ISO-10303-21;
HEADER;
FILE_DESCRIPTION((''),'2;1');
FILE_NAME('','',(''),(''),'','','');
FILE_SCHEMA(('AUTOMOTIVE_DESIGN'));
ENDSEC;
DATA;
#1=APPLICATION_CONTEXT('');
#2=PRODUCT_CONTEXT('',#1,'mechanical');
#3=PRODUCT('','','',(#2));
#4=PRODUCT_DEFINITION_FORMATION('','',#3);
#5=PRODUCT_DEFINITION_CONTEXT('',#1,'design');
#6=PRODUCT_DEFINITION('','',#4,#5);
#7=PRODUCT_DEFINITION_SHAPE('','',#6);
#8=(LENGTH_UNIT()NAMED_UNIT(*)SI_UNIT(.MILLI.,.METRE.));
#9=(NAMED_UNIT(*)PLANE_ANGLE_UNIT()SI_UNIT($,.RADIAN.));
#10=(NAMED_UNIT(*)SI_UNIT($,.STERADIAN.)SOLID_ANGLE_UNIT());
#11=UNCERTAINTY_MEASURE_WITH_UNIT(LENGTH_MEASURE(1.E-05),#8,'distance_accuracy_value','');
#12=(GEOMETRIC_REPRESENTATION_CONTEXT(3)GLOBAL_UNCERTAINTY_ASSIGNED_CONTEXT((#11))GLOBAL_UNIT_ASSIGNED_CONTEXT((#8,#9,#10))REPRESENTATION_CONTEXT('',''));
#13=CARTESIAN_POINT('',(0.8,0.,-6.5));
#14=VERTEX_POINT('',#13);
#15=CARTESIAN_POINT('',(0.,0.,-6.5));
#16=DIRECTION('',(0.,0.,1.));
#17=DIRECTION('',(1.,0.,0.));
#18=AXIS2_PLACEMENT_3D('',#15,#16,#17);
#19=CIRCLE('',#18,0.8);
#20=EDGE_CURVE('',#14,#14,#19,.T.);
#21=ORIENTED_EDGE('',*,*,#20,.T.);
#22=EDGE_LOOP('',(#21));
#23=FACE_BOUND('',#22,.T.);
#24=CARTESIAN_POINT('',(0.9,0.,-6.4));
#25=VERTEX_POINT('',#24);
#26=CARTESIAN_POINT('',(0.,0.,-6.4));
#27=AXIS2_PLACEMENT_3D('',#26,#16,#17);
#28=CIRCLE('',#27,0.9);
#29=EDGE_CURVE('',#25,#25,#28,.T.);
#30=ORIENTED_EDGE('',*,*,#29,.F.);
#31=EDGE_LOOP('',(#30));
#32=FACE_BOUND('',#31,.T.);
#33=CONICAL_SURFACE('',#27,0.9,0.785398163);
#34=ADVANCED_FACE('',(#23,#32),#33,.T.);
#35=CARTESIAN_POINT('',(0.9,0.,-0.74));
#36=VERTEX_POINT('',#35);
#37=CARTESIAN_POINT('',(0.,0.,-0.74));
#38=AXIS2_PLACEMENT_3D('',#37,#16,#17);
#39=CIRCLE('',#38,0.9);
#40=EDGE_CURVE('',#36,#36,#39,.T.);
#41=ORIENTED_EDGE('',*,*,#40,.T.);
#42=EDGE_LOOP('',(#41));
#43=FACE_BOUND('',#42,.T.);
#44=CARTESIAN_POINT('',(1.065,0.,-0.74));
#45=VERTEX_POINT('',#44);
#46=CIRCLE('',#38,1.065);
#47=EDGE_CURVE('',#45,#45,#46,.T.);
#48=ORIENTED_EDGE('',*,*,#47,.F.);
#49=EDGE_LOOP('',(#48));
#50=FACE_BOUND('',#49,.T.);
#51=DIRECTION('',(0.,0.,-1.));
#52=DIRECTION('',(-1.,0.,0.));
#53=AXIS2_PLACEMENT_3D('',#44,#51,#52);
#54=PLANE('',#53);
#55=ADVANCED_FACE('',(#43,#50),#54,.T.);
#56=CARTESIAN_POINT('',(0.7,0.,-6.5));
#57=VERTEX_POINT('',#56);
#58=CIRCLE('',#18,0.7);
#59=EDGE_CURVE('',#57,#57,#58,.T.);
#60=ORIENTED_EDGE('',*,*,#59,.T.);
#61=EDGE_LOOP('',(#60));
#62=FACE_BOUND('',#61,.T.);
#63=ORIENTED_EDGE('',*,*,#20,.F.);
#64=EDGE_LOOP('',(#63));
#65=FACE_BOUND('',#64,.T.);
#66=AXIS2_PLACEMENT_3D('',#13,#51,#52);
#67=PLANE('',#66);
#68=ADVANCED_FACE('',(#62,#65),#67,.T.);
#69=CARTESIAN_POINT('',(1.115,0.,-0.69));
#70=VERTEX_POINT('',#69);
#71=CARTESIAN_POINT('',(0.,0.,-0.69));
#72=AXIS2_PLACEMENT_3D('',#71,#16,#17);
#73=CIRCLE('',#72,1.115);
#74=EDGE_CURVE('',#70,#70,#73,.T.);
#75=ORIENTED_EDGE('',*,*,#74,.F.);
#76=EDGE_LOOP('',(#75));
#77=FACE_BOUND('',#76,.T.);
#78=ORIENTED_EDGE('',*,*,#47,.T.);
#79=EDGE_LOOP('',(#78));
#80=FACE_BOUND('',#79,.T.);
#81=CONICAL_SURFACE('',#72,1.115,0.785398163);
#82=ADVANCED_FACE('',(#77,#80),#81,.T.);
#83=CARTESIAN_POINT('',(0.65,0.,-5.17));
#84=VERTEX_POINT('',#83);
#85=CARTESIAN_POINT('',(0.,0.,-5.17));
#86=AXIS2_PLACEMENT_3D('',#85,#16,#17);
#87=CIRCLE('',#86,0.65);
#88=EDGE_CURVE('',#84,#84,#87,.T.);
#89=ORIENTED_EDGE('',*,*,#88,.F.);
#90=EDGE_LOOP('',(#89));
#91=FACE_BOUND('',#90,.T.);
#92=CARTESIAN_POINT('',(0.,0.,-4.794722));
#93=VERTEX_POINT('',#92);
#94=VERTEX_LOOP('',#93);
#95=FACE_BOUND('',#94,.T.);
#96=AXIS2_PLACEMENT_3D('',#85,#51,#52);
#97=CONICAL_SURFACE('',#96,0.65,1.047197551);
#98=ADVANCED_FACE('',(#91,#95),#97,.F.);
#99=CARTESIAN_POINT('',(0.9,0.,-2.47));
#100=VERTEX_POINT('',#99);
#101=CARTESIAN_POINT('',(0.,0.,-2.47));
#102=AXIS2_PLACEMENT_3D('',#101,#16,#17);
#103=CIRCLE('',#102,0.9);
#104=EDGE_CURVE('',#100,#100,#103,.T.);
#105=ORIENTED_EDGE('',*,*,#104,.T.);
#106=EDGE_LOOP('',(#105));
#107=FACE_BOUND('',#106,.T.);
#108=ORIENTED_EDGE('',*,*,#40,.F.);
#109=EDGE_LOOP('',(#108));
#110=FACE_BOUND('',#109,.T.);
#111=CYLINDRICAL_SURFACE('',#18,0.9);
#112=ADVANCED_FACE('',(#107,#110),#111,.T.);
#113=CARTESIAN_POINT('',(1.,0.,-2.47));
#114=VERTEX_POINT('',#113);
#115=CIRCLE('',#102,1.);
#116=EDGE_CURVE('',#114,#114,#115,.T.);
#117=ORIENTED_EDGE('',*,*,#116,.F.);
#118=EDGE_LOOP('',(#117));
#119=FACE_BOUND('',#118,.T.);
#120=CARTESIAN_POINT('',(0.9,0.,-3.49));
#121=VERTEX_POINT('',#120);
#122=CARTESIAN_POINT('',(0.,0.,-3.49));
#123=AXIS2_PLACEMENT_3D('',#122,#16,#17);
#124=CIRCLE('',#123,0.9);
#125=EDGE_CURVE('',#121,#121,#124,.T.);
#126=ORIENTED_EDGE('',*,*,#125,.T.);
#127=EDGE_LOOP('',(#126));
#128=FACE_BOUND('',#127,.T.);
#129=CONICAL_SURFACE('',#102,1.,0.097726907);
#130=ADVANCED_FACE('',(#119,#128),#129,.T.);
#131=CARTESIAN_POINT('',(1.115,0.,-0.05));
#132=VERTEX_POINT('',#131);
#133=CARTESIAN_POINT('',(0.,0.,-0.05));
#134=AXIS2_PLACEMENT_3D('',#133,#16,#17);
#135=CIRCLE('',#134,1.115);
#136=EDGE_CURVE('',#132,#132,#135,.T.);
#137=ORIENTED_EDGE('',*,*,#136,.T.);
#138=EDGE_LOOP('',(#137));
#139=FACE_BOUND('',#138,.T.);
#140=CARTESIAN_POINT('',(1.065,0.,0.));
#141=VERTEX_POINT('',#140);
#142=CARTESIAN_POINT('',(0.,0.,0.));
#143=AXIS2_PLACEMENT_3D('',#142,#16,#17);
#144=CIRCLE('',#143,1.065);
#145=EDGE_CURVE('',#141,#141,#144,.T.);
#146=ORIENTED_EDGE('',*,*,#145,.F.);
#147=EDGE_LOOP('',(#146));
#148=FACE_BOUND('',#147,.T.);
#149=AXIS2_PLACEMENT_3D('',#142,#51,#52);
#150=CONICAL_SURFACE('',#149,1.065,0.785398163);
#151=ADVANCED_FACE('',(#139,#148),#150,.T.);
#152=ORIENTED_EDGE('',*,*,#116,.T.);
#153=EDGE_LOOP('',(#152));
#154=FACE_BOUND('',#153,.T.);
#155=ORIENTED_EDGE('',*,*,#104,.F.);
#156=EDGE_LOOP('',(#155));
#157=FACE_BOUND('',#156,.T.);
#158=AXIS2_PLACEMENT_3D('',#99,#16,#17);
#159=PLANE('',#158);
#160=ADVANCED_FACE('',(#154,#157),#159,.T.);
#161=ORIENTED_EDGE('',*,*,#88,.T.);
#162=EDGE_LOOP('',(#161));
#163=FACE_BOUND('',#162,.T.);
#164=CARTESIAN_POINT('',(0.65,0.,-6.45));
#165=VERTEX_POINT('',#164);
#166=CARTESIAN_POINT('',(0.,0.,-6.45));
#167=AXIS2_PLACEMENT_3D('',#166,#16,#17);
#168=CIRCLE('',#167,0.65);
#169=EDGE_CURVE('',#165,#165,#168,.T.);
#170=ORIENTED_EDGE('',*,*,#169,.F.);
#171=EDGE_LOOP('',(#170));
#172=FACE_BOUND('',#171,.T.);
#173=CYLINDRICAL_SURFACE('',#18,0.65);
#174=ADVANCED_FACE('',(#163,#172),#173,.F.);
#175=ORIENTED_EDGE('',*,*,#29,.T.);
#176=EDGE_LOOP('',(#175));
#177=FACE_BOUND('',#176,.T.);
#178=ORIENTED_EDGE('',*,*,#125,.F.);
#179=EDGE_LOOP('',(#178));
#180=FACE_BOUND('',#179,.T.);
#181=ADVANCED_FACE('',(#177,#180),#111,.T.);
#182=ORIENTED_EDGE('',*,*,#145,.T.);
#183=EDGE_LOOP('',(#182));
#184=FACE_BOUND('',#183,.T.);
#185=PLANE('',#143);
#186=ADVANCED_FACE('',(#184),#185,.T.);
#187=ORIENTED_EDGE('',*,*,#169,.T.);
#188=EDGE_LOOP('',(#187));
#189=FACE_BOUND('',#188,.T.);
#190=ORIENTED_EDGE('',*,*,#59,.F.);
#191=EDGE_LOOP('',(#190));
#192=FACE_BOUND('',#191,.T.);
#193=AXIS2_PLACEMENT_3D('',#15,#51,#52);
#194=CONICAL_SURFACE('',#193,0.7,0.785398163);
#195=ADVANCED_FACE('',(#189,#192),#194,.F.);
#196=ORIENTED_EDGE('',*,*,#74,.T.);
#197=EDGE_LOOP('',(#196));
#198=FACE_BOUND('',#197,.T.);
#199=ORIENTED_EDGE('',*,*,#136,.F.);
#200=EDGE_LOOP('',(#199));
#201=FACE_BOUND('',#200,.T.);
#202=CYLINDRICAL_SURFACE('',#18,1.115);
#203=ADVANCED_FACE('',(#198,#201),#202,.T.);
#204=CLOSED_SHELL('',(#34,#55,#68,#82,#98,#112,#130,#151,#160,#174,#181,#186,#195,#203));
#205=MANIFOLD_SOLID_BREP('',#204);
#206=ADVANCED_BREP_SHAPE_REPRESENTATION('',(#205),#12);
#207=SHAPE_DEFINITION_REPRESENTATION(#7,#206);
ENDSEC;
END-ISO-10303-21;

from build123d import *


with BuildPart() as part:
    # Esquisse1 → Révolution1 (revolve)
    with BuildSketch(Plane(origin=(0, 0, 0), x_dir=(1, 0, 0), z_dir=(0, 1, 0))):
        Polygon((0.65, 5.17), (0, 4.794722325), (0, 0), (1.065, 0), (1.115, 0.05), (1.115, 0.69), (1.065, 0.74), (0.9, 0.74), (0.9, 2.47), (1, 2.47), (0.9, 3.49), (0.9, 6.4), (0.8, 6.5), (0.7, 6.5), (0.65, 6.45), align=None)
    revolve(axis=Axis((0, 0, -6.5), (0, 0, 1)))


solid = part.part
